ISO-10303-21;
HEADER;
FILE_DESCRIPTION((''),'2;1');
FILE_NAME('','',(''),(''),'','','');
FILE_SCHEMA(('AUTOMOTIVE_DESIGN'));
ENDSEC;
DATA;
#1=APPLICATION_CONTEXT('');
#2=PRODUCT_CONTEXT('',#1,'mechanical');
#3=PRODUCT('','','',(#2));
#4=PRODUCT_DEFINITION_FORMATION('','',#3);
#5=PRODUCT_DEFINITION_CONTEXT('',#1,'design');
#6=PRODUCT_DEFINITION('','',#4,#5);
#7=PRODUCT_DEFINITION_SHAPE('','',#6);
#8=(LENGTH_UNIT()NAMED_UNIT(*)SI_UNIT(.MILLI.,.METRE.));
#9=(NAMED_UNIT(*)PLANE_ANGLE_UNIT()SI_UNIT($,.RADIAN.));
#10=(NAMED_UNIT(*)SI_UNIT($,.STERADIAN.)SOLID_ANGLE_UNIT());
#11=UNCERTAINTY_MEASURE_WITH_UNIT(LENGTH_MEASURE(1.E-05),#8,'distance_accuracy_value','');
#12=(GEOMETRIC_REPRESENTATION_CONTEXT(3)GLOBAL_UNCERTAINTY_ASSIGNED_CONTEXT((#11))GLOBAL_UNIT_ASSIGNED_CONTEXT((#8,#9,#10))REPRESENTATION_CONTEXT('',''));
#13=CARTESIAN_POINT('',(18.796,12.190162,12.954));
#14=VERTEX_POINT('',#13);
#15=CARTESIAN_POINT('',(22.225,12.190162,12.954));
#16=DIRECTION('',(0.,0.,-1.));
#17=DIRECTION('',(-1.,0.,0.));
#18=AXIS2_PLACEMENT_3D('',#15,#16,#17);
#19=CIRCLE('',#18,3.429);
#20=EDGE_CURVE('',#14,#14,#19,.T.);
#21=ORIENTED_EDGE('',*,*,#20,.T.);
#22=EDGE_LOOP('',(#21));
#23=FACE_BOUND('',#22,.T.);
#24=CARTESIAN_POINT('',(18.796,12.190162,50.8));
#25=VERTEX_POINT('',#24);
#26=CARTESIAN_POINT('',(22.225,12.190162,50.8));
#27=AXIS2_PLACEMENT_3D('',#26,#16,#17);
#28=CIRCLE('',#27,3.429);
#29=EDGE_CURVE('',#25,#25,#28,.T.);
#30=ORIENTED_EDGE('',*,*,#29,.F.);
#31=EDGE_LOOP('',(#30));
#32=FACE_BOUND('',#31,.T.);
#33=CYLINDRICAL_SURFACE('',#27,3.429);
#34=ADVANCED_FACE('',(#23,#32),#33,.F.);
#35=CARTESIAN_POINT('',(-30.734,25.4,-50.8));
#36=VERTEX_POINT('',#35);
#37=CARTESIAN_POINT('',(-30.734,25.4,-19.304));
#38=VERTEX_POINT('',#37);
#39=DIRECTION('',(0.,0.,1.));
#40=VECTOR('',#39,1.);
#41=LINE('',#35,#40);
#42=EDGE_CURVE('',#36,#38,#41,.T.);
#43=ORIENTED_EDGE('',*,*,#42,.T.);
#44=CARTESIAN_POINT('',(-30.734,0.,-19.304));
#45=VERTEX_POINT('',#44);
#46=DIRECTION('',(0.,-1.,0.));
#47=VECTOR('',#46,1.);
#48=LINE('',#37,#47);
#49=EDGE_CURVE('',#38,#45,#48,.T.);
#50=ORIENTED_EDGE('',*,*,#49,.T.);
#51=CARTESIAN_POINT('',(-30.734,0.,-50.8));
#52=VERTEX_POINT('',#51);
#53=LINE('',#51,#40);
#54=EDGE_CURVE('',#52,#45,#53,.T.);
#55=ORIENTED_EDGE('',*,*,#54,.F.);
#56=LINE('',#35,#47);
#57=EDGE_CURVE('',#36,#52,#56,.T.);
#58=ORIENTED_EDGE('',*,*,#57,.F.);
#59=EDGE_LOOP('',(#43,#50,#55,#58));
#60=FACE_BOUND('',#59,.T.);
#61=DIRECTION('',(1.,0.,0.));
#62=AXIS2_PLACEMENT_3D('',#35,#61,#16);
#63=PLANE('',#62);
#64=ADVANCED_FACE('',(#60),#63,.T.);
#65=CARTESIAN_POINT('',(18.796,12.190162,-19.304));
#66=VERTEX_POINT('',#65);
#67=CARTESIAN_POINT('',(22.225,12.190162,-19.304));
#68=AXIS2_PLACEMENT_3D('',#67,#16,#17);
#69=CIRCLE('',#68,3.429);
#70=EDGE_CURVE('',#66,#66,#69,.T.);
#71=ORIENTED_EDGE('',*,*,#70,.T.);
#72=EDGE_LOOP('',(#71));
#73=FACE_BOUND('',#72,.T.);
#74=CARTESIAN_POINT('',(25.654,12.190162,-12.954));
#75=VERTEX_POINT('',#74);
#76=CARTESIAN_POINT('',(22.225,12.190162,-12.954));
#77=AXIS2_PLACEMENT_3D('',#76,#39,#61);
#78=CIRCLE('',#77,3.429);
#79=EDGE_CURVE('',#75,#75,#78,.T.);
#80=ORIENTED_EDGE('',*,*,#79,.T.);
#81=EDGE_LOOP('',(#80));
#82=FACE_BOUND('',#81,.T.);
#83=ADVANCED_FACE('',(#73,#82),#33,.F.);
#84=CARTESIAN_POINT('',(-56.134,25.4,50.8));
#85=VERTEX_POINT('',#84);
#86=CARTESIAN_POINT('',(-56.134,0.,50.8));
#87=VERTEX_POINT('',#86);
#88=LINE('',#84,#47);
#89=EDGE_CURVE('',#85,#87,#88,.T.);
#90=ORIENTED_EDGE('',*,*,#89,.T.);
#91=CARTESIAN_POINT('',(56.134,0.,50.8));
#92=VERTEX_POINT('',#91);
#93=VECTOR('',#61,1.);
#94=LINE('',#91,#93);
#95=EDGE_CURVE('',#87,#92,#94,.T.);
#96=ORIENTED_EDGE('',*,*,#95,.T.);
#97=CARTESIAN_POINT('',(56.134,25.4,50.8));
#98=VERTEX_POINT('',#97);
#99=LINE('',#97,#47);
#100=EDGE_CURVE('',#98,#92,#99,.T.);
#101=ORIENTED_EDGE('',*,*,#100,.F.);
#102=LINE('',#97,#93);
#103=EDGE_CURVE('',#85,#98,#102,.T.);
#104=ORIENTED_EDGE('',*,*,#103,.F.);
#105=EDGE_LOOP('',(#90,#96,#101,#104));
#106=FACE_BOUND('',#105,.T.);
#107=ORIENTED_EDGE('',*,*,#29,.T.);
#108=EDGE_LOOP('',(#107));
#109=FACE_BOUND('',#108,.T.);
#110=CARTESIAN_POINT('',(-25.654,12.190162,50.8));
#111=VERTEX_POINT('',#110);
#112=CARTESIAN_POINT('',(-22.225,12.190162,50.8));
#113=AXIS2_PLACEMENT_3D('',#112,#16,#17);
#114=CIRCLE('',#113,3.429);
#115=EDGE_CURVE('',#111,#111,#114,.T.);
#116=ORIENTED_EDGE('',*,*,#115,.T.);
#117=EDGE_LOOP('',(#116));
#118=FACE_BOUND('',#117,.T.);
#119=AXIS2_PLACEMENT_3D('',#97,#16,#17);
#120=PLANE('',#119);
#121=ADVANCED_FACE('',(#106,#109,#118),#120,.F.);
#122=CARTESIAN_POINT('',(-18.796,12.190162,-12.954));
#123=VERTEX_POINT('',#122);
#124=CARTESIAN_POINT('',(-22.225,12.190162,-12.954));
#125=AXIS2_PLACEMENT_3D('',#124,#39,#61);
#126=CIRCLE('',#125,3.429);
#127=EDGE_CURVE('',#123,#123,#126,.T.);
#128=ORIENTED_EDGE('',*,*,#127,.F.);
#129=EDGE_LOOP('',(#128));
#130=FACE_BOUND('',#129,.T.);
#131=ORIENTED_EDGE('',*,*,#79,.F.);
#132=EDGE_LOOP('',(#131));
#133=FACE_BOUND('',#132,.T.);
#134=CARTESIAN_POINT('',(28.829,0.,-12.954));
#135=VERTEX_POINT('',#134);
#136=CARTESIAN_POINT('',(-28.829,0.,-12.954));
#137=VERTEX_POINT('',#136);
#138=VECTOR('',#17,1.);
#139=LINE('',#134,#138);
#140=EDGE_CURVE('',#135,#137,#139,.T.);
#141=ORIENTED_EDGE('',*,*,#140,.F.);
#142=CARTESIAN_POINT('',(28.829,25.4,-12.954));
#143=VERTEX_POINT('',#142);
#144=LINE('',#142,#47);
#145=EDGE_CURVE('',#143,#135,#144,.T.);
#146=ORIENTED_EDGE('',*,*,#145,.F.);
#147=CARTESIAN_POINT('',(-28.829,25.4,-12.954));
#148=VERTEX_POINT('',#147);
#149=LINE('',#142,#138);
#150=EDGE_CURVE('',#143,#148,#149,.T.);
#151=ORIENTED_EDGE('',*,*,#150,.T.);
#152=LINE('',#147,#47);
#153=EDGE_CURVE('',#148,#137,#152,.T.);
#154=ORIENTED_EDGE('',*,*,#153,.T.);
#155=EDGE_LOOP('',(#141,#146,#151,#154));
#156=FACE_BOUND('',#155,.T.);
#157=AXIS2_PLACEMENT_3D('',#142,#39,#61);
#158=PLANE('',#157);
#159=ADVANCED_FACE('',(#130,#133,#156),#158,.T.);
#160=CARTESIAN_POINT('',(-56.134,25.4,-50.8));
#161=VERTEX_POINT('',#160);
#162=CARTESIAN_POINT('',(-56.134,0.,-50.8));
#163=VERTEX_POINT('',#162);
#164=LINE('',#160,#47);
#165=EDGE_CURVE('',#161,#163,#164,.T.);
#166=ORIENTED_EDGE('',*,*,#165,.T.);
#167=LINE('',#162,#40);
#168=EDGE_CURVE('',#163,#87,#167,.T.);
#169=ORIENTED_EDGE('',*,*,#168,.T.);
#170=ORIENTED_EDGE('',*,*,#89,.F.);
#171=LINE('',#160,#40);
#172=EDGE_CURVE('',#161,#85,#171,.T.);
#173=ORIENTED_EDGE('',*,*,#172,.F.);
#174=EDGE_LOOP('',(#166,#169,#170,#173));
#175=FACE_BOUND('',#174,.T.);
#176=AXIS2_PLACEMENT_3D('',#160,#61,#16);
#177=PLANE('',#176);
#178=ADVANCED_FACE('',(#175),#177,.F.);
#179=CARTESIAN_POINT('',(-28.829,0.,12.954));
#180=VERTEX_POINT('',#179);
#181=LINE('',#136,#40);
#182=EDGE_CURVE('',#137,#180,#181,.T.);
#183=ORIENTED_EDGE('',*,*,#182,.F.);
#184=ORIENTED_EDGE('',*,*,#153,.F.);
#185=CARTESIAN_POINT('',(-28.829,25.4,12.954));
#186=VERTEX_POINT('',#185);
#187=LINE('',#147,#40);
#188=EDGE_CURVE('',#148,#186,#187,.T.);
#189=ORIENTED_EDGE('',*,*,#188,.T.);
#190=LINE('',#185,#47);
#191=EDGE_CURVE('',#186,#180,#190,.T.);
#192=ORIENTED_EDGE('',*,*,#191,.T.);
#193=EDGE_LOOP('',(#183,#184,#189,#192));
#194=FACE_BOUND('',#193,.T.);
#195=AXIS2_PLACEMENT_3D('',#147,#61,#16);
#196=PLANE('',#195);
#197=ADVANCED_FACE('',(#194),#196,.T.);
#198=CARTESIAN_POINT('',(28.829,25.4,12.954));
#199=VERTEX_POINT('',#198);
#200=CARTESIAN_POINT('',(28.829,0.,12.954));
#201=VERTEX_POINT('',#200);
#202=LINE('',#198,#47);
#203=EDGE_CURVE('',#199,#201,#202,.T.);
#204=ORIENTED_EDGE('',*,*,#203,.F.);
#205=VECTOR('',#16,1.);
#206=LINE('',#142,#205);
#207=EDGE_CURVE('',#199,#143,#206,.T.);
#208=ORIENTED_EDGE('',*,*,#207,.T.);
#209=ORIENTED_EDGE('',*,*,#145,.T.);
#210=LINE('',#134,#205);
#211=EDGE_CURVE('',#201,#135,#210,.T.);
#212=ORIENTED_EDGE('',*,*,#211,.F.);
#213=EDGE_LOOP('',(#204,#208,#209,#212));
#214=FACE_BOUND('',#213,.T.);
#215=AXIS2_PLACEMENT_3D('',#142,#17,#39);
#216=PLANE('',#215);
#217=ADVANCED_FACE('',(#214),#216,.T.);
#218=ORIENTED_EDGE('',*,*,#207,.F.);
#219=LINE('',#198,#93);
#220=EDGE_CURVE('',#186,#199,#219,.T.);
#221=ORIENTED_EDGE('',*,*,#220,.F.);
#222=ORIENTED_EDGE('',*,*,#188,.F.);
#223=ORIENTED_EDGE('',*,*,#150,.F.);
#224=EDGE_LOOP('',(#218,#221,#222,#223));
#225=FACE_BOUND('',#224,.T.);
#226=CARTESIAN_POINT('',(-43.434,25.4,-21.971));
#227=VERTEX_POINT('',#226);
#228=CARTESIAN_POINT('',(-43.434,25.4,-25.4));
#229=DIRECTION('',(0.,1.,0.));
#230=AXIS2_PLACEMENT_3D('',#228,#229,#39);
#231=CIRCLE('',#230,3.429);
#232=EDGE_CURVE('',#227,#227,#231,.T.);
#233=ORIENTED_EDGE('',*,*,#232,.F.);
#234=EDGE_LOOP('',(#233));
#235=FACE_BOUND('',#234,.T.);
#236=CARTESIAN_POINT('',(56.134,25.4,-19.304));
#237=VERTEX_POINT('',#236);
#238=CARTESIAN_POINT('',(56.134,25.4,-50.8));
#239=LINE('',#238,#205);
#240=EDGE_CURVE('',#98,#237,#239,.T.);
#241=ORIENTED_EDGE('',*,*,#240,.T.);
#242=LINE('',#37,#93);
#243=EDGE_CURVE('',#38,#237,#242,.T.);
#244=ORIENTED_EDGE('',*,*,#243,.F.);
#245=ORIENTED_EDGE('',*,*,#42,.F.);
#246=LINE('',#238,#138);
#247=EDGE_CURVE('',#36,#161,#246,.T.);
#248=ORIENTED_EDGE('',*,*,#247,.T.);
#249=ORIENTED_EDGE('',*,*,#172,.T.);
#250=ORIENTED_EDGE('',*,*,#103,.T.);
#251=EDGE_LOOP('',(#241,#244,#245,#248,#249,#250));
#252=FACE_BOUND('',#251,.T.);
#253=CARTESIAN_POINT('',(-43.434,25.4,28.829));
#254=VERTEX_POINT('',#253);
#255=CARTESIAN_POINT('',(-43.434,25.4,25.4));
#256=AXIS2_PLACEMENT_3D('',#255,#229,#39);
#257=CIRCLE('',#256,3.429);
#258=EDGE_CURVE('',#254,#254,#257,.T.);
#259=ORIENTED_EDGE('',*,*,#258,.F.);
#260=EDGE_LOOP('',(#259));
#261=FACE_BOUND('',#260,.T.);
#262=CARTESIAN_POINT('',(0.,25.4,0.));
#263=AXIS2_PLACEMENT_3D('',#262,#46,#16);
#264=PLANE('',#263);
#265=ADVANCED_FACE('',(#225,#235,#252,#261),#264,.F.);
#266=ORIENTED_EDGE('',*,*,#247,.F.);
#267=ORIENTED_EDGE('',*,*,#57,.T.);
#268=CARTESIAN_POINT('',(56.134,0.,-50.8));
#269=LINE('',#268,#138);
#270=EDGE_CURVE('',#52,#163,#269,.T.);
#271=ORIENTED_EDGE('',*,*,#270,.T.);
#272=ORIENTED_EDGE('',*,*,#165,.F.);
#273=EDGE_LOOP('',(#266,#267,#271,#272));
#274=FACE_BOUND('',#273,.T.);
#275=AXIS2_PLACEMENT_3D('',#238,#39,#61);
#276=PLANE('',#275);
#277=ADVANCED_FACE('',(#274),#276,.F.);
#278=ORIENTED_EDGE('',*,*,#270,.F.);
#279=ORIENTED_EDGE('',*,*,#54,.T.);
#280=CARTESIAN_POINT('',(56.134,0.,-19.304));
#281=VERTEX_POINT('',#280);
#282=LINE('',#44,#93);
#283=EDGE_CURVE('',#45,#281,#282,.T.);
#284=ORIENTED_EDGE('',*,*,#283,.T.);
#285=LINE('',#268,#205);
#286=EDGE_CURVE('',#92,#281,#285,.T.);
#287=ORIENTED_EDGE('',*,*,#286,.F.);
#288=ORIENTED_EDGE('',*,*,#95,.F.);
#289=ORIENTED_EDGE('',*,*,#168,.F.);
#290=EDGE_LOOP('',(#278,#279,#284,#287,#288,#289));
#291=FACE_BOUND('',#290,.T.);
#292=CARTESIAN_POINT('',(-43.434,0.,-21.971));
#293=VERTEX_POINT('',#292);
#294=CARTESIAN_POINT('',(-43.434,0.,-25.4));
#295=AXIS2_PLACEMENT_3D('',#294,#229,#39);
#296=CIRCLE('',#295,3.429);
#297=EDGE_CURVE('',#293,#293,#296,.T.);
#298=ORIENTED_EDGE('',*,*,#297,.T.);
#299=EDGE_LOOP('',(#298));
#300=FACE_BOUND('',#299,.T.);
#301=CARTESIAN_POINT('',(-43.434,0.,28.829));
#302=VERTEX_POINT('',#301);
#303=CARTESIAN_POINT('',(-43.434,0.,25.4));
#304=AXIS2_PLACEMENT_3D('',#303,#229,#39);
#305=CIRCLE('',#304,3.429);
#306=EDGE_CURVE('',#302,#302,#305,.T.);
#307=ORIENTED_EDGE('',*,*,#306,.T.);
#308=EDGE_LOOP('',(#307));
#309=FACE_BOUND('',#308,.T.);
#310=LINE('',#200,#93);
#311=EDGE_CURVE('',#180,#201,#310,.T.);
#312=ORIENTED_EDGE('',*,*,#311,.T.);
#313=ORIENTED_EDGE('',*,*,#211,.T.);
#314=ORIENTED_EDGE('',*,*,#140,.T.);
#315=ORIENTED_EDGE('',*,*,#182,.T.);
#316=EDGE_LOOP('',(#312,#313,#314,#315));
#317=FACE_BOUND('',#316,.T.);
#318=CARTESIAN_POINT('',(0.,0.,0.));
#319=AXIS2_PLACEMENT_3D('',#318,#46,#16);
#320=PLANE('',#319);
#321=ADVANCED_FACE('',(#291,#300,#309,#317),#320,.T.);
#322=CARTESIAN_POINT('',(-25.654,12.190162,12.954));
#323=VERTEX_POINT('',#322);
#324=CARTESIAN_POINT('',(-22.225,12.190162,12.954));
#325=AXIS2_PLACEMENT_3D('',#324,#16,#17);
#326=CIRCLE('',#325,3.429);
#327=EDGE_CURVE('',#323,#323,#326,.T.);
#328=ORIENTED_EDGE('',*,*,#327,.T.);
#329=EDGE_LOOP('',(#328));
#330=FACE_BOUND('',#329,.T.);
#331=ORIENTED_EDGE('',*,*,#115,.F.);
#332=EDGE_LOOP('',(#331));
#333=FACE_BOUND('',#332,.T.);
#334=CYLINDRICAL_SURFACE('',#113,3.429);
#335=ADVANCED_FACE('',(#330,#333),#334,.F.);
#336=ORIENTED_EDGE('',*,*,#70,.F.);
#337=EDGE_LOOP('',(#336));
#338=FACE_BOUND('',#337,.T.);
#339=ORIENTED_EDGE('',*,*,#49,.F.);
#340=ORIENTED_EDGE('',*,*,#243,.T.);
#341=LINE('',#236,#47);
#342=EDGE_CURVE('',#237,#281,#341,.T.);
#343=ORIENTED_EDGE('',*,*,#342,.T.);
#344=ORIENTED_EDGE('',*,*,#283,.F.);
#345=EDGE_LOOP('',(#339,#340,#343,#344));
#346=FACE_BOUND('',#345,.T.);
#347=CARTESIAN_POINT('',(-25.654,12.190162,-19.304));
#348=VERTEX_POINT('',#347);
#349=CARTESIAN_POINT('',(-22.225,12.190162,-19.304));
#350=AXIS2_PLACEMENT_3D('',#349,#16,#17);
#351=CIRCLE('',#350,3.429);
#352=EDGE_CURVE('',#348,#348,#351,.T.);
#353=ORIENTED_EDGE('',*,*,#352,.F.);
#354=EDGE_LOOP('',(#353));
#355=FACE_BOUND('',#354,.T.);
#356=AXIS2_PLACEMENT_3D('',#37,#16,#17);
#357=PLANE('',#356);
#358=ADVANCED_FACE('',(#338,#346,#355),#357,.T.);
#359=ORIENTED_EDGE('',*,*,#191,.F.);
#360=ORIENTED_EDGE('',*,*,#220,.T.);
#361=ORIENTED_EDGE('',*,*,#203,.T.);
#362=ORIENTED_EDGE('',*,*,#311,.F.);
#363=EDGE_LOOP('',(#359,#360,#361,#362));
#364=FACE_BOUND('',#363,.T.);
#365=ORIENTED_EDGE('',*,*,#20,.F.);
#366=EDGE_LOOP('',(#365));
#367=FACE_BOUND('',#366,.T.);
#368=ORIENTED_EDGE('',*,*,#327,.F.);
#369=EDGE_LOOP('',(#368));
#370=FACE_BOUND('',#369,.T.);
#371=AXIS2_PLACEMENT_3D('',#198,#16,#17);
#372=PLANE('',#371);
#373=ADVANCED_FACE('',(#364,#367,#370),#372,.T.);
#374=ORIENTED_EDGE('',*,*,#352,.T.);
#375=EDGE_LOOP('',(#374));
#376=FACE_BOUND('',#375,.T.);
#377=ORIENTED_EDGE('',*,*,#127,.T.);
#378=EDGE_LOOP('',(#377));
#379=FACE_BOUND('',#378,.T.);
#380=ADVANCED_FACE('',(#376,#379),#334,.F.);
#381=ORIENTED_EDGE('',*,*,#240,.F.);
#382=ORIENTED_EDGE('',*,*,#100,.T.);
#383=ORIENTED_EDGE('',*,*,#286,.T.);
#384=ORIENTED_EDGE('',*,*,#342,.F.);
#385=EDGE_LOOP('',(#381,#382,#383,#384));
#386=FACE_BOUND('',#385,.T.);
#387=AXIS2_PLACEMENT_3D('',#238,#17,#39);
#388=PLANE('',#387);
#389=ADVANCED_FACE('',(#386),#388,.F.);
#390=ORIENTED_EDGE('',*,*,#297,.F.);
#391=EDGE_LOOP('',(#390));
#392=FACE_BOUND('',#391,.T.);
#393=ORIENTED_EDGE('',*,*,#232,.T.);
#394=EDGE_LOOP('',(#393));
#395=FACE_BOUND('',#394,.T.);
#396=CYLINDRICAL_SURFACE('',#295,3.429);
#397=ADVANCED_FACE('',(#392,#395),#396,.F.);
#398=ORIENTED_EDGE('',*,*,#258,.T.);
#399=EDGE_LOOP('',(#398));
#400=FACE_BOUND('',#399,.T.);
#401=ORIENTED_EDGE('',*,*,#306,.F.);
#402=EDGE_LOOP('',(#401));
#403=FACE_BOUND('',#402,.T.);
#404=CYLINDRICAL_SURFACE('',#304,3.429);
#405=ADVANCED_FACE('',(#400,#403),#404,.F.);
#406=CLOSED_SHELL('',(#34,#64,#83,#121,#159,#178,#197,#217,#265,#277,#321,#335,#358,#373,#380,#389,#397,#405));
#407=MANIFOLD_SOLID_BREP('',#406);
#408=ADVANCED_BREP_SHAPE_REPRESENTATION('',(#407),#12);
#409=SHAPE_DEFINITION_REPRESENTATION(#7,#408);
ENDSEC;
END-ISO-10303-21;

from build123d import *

# Parameters (mm, degrees)
SKETCH1_W           = 112.268
SKETCH1_H           = 101.6
SKETCH1_W_2         = 57.658
SKETCH1_H_2         = 25.908
BOSS_EXTRUDE1_DEPTH = 25.4
SKETCH2_W           = 86.868
SKETCH2_H           = 31.496
CUT_EXTRUDE1_DEPTH  = 80.855030875
SKETCH4_R           = 3.429
CUT_EXTRUDE2_DEPTH  = 94.331435069
SKETCH5_R           = 3.429
CUT_EXTRUDE3_DEPTH  = 80.855030875


with BuildPart() as part:
    # Sketch1 → Boss-Extrude1 (new body)
    with BuildSketch(Plane(origin=(0, 0, 0), x_dir=(1, 0, 0), z_dir=(0, 1, 0))):
        Rectangle(SKETCH1_W, SKETCH1_H)
        Rectangle(SKETCH1_W_2, SKETCH1_H_2, mode=Mode.SUBTRACT)
    extrude(amount=BOSS_EXTRUDE1_DEPTH)

    # Sketch2 → Cut-Extrude1 (cut, through all)
    with BuildSketch(Plane(origin=(0, 0, 0), x_dir=(1, 0, 0), z_dir=(0, 1, 0))):
        with Locations((12.7, 35.052)):
            Rectangle(SKETCH2_W, SKETCH2_H)
    extrude(amount=CUT_EXTRUDE1_DEPTH, mode=Mode.SUBTRACT)

    # Sketch4 → Cut-Extrude2 (cut, through all)
    with BuildSketch(Plane(origin=(0, 0, -19.304), x_dir=(-1, 0, 0), z_dir=(0, 0, -1))):
        with Locations((-22.225, 12.190161911)):
            Circle(SKETCH4_R)
        with Locations((22.225, 12.190161911)):
            Circle(SKETCH4_R)
    extrude(amount=-CUT_EXTRUDE2_DEPTH, mode=Mode.SUBTRACT)

    # Sketch5 → Cut-Extrude3 (cut, through all)
    with BuildSketch(Plane(origin=(0, 25.4, 0), x_dir=(1, 0, 0), z_dir=(0, 1, 0))):
        with Locations(Location((-43.434, 25.4, 0), (0, 0, 270))):
            Circle(SKETCH5_R)
        with Locations(Location((-43.434, -25.4, 0), (0, 0, 270))):
            Circle(SKETCH5_R)
    extrude(amount=-CUT_EXTRUDE3_DEPTH, mode=Mode.SUBTRACT)


solid = part.part
